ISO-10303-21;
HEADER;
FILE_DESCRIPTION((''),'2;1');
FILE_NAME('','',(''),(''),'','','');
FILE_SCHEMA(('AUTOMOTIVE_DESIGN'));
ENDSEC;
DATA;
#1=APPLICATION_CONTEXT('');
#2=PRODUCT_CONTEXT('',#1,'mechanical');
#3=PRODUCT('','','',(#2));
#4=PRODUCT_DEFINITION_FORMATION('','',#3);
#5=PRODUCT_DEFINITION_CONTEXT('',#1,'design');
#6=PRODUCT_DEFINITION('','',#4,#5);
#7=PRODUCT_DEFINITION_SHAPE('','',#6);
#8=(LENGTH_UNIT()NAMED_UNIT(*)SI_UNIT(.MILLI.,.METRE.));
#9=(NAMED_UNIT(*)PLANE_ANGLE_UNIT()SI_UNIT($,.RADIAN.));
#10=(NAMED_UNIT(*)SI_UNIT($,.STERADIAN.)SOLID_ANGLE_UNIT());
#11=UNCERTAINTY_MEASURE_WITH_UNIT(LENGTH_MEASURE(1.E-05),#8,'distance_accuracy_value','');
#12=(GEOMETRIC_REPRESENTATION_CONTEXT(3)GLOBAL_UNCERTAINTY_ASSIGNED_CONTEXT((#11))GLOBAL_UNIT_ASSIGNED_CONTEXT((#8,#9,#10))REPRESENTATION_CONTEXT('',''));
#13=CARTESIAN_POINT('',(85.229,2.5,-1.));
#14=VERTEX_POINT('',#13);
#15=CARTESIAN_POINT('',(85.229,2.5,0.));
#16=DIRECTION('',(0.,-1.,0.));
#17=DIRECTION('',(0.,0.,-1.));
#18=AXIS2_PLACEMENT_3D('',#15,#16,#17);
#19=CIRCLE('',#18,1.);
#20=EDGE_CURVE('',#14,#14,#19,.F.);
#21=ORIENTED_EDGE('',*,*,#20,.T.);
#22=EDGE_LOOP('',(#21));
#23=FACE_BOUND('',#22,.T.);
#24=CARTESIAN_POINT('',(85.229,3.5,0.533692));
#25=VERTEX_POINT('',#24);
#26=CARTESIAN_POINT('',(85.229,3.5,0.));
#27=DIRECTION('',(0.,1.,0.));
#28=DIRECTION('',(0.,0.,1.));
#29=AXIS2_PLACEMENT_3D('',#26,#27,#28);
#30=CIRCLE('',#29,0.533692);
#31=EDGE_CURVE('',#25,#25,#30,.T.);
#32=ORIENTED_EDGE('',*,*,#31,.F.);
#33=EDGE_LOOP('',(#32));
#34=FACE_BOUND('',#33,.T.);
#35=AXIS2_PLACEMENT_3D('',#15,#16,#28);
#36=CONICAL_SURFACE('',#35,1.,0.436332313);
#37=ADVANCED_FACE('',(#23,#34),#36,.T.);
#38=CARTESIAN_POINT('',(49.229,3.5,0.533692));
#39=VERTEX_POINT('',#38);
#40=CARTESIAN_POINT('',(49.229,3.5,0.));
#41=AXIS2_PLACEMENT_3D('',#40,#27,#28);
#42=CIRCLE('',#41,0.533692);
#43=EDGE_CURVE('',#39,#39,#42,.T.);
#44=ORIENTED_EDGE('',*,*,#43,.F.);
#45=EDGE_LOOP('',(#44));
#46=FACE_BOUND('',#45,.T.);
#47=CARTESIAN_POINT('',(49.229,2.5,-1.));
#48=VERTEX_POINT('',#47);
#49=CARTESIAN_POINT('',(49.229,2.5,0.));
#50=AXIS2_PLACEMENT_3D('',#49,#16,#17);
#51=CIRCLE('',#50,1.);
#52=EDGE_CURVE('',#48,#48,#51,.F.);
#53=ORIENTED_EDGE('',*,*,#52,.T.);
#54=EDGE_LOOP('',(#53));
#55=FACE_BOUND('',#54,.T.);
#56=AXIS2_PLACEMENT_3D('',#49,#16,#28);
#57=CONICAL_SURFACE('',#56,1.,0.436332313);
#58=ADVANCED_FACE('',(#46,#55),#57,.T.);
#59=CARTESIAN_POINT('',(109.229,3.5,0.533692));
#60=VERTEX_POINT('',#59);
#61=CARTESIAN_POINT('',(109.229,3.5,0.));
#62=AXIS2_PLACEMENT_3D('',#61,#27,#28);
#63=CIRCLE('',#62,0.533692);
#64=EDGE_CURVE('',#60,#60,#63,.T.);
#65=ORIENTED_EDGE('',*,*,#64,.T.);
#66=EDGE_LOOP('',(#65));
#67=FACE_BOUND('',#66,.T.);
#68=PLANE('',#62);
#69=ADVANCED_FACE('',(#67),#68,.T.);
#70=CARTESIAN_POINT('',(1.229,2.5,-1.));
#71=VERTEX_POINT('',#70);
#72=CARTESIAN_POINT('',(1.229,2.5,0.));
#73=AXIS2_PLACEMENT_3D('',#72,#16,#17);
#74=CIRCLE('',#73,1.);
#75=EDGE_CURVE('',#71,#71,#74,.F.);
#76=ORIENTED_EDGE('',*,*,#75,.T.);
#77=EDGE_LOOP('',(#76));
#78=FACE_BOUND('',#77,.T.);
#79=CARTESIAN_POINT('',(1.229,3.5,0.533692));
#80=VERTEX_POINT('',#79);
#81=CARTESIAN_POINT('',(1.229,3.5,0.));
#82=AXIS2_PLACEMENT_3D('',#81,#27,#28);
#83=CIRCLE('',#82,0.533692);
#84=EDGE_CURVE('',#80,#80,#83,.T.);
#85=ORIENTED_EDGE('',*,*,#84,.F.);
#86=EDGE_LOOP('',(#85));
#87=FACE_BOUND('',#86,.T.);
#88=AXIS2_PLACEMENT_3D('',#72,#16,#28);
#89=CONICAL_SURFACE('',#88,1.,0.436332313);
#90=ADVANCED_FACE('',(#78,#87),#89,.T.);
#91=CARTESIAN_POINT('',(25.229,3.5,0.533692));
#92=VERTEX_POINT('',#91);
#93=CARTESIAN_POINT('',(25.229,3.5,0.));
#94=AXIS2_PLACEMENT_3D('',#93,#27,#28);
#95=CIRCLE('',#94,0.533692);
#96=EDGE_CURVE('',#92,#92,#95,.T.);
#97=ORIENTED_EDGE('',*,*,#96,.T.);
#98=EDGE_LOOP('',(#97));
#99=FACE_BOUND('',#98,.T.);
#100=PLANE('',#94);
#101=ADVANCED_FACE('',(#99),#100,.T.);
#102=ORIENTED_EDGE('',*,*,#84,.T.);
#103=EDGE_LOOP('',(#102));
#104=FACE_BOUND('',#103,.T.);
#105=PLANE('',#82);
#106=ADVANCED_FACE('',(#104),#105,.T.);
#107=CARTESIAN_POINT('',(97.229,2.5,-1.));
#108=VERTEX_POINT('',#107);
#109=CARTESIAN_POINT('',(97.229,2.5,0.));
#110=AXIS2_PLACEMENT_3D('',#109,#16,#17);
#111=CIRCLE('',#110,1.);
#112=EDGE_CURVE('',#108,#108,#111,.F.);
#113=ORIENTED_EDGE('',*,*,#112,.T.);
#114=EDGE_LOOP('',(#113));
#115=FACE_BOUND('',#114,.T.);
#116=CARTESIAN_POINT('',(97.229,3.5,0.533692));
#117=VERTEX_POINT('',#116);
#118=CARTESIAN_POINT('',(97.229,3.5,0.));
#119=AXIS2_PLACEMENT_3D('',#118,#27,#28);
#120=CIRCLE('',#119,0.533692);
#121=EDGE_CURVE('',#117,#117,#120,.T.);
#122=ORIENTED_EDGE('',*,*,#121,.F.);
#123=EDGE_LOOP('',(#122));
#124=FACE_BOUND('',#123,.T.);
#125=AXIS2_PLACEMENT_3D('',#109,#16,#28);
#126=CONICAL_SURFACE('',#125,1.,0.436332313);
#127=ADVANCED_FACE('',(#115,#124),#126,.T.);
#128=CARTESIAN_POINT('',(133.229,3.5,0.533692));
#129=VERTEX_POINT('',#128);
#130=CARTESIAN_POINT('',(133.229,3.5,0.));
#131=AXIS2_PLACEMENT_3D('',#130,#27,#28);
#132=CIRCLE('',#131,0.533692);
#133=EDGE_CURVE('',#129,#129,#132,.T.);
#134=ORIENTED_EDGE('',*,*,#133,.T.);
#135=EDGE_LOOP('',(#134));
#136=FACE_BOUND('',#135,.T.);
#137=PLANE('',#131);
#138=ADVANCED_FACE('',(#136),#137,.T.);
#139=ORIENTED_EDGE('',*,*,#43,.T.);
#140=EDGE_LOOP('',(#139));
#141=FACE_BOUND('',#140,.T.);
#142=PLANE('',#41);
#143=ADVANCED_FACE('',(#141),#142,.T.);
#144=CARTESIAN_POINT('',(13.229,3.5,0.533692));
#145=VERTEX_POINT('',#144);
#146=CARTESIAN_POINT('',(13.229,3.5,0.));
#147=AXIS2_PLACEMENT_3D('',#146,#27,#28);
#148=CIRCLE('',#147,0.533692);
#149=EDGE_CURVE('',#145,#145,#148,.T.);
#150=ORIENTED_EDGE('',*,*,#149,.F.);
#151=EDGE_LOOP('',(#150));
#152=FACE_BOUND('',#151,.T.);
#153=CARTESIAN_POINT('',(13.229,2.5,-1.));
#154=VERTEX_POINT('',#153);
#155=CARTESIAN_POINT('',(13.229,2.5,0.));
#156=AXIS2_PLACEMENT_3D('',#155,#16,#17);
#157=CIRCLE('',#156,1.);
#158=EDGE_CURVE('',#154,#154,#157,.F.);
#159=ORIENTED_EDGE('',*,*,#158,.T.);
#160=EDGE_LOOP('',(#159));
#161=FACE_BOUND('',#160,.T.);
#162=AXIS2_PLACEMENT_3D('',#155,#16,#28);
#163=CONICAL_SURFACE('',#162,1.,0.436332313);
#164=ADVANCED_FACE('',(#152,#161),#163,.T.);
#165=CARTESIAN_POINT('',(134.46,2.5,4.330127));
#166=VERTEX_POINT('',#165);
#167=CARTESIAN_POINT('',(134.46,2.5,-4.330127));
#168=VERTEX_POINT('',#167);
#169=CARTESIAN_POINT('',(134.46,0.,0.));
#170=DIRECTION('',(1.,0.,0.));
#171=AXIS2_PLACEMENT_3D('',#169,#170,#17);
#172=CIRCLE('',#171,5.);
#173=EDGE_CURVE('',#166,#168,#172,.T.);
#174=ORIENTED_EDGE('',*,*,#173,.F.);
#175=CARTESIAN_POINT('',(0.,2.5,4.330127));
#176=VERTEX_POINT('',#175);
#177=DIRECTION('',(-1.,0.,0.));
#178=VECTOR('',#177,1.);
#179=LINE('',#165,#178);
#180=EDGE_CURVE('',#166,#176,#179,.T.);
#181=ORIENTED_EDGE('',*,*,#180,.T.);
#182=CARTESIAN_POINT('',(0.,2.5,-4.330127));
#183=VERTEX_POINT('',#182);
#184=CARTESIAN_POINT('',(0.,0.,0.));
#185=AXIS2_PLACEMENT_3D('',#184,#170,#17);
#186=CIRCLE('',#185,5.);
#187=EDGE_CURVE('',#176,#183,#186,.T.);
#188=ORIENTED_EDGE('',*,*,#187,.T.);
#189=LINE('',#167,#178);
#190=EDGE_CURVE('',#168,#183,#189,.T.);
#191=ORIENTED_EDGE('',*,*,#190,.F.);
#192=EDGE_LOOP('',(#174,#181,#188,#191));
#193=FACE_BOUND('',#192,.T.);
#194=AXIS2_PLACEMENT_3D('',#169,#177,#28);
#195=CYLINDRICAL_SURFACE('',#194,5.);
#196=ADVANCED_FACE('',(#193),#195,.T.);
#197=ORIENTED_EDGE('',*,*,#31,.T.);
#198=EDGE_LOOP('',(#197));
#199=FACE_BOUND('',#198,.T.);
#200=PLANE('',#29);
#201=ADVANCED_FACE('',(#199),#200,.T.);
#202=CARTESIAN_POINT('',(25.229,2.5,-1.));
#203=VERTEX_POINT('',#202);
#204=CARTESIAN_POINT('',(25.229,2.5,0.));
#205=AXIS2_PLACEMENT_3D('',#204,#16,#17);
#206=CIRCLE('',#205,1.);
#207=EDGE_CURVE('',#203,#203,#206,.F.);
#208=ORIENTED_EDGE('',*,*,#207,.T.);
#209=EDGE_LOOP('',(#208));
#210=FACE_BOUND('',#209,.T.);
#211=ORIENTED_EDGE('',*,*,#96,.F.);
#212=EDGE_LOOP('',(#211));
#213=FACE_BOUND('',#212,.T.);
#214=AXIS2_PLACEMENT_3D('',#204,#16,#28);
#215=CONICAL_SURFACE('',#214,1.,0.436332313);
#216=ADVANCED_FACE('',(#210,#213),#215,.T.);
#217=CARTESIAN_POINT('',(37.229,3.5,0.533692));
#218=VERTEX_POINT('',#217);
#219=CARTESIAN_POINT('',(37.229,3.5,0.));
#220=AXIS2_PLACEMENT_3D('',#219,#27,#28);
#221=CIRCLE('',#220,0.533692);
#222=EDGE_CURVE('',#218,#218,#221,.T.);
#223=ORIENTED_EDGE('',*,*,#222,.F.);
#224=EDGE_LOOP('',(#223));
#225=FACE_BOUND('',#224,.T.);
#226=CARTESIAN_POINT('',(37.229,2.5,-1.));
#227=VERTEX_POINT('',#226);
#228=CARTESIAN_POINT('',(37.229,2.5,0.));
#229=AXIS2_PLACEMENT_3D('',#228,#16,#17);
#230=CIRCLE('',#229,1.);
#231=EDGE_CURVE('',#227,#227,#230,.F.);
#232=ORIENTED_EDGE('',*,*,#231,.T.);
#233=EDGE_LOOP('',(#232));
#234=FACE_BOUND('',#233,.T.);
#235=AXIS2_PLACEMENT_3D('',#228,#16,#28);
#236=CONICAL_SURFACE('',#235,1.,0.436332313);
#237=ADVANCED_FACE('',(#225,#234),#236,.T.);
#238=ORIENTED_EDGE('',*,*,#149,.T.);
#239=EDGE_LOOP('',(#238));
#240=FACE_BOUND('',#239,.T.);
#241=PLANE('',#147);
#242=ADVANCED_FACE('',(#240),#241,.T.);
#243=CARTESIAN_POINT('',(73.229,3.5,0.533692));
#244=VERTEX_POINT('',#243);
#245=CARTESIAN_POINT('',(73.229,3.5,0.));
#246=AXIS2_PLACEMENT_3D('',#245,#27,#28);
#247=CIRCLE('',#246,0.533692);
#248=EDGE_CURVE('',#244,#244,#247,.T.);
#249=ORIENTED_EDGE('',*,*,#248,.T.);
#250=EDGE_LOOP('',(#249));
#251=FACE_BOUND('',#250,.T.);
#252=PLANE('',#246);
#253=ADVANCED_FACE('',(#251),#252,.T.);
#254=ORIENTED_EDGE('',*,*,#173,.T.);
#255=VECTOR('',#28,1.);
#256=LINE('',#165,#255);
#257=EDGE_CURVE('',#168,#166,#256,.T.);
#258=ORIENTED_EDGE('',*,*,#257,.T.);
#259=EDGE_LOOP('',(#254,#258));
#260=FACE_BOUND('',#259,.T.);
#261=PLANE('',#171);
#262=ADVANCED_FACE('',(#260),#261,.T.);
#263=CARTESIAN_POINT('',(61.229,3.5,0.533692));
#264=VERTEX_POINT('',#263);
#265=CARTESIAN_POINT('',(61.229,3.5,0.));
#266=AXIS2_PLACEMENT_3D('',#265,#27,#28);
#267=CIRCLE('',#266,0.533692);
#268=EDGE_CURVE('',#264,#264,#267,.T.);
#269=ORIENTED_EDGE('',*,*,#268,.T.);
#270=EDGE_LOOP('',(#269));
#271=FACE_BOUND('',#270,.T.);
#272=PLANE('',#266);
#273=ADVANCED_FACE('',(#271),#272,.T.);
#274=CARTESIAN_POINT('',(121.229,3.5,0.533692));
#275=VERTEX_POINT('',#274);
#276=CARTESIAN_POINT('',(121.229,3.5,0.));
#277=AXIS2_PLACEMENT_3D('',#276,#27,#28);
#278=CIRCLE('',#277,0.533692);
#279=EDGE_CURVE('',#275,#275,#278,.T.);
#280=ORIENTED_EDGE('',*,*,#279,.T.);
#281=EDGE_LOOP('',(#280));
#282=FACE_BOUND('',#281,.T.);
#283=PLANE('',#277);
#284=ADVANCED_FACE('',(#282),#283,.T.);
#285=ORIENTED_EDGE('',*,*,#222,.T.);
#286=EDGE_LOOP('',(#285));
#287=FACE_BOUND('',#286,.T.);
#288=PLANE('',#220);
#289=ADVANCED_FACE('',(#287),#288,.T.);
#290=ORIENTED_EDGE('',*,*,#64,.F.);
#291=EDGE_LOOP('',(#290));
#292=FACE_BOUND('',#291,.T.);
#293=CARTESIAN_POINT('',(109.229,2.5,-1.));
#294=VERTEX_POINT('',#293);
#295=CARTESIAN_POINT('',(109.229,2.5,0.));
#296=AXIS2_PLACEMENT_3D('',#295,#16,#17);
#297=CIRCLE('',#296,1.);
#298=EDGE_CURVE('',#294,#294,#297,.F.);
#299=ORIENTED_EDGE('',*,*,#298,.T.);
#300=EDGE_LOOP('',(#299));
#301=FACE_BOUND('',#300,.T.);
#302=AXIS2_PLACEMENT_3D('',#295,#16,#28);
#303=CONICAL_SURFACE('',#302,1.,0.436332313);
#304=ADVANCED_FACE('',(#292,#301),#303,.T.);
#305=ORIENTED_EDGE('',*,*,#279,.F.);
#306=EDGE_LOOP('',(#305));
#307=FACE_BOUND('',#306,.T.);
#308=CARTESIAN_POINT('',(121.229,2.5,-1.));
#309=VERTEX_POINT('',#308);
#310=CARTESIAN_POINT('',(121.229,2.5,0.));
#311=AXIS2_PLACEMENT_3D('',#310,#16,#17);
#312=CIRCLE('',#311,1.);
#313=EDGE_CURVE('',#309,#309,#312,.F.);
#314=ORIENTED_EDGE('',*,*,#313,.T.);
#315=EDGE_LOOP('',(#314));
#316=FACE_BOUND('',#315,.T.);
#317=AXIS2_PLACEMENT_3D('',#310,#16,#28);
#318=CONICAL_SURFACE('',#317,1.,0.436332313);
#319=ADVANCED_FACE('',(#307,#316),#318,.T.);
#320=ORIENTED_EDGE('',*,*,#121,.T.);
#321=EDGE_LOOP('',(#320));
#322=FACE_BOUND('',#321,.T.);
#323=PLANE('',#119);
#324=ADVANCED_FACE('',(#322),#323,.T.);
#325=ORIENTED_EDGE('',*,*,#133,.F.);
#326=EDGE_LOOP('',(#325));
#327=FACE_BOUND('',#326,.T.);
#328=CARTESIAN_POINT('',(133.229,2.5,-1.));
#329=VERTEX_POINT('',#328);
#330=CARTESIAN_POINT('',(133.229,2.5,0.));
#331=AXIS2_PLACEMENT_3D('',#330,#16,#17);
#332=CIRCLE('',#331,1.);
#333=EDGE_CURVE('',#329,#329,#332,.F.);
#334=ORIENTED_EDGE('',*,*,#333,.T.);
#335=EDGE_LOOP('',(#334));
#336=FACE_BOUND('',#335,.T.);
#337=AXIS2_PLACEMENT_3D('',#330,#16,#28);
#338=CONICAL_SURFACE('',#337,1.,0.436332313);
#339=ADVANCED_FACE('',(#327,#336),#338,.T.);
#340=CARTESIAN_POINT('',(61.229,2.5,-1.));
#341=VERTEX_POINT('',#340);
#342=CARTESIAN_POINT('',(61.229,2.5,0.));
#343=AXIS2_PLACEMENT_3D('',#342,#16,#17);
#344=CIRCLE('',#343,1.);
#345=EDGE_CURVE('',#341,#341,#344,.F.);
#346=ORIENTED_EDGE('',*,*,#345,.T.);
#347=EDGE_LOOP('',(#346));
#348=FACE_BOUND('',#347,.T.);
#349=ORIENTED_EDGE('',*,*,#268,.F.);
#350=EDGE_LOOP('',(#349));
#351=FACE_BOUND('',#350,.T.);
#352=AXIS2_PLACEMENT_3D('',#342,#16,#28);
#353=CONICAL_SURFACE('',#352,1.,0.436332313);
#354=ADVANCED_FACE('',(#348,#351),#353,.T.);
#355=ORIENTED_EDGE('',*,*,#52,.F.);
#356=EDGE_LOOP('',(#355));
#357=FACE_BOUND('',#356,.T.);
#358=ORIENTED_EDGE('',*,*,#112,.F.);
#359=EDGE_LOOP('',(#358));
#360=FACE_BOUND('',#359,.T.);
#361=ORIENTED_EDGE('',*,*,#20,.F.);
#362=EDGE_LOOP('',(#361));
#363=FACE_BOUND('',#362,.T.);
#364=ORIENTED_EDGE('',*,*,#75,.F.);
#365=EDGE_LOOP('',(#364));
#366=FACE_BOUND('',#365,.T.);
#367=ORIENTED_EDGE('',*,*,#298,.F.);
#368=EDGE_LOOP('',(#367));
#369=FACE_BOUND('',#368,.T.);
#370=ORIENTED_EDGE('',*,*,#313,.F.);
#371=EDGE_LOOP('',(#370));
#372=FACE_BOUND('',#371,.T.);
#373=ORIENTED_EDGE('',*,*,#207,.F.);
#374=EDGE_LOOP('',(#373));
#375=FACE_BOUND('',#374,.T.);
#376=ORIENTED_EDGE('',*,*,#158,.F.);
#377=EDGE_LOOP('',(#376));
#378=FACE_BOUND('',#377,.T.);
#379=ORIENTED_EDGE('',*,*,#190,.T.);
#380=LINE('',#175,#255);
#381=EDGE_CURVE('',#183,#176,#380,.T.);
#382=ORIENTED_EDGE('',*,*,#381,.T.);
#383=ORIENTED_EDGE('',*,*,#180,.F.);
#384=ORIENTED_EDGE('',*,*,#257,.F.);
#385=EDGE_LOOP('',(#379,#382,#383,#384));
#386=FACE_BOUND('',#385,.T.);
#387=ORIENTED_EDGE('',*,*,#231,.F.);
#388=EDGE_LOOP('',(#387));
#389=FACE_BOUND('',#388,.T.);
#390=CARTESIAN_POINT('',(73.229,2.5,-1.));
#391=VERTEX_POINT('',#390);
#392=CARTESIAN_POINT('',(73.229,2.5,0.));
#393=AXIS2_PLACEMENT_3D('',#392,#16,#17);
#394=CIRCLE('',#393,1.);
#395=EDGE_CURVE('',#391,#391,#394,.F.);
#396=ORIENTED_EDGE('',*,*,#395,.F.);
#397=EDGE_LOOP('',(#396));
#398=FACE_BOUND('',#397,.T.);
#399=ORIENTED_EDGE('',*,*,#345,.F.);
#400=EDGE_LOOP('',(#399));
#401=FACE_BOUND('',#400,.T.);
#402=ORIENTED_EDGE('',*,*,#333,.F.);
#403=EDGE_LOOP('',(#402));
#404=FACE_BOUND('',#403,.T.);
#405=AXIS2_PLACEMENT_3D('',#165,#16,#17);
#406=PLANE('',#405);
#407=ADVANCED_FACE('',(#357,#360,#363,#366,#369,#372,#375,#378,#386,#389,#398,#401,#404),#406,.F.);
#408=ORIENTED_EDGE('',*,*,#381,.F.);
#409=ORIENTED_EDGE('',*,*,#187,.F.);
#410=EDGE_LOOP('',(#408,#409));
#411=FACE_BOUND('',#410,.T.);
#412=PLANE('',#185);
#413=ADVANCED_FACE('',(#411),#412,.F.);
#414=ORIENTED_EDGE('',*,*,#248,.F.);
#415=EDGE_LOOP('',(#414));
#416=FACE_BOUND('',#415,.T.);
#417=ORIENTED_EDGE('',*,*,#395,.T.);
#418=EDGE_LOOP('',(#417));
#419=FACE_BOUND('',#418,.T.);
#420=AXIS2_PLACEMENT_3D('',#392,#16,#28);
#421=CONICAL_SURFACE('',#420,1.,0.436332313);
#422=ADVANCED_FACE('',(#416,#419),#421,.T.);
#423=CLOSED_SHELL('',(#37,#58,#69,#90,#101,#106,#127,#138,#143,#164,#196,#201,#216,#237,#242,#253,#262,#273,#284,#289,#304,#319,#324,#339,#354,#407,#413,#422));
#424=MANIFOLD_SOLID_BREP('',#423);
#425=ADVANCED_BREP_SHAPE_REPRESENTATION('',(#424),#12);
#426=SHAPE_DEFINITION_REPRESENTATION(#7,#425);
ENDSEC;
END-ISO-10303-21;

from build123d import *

# Parameters (mm, degrees)
AUFSATZ_LINEAR_AUSTRAGEN1_DEPTH = 134.46
SKIZZE3_R                       = 1
AUFSATZ_LINEAR_AUSTRAGEN2_DEPTH = 1
AUFSATZ_LINEAR_AUSTRAGEN2_TAPER = 25
LINEARES_MUSTER2_COUNT          = 12
LINEARES_MUSTER2_PITCH          = 12


with BuildPart() as part:
    # Skizze1 → Aufsatz-Linear austragen1 (new body)
    with BuildSketch(Plane(origin=(0, 0, 0), x_dir=(0, 0, -1), z_dir=(1, 0, 0))):
        with BuildLine():
            Line((-4.330127019, 2.5), (4.330127019, 2.5))
            ThreePointArc((4.330127019, 2.5), (0, -5), (-4.330127019, 2.5))
        make_face()
    extrude(amount=AUFSATZ_LINEAR_AUSTRAGEN1_DEPTH)

    # Skizze3 → Aufsatz-Linear austragen2 (add)
    with BuildSketch(Plane(origin=(0, 2.5, 0), x_dir=(1, 0, 0), z_dir=(0, 1, 0))):
        with Locations((1.229, 0)):
            Circle(SKIZZE3_R)
    aufsatz_linear_austragen2 = extrude(amount=AUFSATZ_LINEAR_AUSTRAGEN2_DEPTH, taper=AUFSATZ_LINEAR_AUSTRAGEN2_TAPER)

    # Lineares Muster2: Aufsatz-Linear austragen2 ×12
    with Locations(*[(i * LINEARES_MUSTER2_PITCH, 0, 0) for i in range(1, LINEARES_MUSTER2_COUNT)]):
        add(aufsatz_linear_austragen2)


solid = part.part
